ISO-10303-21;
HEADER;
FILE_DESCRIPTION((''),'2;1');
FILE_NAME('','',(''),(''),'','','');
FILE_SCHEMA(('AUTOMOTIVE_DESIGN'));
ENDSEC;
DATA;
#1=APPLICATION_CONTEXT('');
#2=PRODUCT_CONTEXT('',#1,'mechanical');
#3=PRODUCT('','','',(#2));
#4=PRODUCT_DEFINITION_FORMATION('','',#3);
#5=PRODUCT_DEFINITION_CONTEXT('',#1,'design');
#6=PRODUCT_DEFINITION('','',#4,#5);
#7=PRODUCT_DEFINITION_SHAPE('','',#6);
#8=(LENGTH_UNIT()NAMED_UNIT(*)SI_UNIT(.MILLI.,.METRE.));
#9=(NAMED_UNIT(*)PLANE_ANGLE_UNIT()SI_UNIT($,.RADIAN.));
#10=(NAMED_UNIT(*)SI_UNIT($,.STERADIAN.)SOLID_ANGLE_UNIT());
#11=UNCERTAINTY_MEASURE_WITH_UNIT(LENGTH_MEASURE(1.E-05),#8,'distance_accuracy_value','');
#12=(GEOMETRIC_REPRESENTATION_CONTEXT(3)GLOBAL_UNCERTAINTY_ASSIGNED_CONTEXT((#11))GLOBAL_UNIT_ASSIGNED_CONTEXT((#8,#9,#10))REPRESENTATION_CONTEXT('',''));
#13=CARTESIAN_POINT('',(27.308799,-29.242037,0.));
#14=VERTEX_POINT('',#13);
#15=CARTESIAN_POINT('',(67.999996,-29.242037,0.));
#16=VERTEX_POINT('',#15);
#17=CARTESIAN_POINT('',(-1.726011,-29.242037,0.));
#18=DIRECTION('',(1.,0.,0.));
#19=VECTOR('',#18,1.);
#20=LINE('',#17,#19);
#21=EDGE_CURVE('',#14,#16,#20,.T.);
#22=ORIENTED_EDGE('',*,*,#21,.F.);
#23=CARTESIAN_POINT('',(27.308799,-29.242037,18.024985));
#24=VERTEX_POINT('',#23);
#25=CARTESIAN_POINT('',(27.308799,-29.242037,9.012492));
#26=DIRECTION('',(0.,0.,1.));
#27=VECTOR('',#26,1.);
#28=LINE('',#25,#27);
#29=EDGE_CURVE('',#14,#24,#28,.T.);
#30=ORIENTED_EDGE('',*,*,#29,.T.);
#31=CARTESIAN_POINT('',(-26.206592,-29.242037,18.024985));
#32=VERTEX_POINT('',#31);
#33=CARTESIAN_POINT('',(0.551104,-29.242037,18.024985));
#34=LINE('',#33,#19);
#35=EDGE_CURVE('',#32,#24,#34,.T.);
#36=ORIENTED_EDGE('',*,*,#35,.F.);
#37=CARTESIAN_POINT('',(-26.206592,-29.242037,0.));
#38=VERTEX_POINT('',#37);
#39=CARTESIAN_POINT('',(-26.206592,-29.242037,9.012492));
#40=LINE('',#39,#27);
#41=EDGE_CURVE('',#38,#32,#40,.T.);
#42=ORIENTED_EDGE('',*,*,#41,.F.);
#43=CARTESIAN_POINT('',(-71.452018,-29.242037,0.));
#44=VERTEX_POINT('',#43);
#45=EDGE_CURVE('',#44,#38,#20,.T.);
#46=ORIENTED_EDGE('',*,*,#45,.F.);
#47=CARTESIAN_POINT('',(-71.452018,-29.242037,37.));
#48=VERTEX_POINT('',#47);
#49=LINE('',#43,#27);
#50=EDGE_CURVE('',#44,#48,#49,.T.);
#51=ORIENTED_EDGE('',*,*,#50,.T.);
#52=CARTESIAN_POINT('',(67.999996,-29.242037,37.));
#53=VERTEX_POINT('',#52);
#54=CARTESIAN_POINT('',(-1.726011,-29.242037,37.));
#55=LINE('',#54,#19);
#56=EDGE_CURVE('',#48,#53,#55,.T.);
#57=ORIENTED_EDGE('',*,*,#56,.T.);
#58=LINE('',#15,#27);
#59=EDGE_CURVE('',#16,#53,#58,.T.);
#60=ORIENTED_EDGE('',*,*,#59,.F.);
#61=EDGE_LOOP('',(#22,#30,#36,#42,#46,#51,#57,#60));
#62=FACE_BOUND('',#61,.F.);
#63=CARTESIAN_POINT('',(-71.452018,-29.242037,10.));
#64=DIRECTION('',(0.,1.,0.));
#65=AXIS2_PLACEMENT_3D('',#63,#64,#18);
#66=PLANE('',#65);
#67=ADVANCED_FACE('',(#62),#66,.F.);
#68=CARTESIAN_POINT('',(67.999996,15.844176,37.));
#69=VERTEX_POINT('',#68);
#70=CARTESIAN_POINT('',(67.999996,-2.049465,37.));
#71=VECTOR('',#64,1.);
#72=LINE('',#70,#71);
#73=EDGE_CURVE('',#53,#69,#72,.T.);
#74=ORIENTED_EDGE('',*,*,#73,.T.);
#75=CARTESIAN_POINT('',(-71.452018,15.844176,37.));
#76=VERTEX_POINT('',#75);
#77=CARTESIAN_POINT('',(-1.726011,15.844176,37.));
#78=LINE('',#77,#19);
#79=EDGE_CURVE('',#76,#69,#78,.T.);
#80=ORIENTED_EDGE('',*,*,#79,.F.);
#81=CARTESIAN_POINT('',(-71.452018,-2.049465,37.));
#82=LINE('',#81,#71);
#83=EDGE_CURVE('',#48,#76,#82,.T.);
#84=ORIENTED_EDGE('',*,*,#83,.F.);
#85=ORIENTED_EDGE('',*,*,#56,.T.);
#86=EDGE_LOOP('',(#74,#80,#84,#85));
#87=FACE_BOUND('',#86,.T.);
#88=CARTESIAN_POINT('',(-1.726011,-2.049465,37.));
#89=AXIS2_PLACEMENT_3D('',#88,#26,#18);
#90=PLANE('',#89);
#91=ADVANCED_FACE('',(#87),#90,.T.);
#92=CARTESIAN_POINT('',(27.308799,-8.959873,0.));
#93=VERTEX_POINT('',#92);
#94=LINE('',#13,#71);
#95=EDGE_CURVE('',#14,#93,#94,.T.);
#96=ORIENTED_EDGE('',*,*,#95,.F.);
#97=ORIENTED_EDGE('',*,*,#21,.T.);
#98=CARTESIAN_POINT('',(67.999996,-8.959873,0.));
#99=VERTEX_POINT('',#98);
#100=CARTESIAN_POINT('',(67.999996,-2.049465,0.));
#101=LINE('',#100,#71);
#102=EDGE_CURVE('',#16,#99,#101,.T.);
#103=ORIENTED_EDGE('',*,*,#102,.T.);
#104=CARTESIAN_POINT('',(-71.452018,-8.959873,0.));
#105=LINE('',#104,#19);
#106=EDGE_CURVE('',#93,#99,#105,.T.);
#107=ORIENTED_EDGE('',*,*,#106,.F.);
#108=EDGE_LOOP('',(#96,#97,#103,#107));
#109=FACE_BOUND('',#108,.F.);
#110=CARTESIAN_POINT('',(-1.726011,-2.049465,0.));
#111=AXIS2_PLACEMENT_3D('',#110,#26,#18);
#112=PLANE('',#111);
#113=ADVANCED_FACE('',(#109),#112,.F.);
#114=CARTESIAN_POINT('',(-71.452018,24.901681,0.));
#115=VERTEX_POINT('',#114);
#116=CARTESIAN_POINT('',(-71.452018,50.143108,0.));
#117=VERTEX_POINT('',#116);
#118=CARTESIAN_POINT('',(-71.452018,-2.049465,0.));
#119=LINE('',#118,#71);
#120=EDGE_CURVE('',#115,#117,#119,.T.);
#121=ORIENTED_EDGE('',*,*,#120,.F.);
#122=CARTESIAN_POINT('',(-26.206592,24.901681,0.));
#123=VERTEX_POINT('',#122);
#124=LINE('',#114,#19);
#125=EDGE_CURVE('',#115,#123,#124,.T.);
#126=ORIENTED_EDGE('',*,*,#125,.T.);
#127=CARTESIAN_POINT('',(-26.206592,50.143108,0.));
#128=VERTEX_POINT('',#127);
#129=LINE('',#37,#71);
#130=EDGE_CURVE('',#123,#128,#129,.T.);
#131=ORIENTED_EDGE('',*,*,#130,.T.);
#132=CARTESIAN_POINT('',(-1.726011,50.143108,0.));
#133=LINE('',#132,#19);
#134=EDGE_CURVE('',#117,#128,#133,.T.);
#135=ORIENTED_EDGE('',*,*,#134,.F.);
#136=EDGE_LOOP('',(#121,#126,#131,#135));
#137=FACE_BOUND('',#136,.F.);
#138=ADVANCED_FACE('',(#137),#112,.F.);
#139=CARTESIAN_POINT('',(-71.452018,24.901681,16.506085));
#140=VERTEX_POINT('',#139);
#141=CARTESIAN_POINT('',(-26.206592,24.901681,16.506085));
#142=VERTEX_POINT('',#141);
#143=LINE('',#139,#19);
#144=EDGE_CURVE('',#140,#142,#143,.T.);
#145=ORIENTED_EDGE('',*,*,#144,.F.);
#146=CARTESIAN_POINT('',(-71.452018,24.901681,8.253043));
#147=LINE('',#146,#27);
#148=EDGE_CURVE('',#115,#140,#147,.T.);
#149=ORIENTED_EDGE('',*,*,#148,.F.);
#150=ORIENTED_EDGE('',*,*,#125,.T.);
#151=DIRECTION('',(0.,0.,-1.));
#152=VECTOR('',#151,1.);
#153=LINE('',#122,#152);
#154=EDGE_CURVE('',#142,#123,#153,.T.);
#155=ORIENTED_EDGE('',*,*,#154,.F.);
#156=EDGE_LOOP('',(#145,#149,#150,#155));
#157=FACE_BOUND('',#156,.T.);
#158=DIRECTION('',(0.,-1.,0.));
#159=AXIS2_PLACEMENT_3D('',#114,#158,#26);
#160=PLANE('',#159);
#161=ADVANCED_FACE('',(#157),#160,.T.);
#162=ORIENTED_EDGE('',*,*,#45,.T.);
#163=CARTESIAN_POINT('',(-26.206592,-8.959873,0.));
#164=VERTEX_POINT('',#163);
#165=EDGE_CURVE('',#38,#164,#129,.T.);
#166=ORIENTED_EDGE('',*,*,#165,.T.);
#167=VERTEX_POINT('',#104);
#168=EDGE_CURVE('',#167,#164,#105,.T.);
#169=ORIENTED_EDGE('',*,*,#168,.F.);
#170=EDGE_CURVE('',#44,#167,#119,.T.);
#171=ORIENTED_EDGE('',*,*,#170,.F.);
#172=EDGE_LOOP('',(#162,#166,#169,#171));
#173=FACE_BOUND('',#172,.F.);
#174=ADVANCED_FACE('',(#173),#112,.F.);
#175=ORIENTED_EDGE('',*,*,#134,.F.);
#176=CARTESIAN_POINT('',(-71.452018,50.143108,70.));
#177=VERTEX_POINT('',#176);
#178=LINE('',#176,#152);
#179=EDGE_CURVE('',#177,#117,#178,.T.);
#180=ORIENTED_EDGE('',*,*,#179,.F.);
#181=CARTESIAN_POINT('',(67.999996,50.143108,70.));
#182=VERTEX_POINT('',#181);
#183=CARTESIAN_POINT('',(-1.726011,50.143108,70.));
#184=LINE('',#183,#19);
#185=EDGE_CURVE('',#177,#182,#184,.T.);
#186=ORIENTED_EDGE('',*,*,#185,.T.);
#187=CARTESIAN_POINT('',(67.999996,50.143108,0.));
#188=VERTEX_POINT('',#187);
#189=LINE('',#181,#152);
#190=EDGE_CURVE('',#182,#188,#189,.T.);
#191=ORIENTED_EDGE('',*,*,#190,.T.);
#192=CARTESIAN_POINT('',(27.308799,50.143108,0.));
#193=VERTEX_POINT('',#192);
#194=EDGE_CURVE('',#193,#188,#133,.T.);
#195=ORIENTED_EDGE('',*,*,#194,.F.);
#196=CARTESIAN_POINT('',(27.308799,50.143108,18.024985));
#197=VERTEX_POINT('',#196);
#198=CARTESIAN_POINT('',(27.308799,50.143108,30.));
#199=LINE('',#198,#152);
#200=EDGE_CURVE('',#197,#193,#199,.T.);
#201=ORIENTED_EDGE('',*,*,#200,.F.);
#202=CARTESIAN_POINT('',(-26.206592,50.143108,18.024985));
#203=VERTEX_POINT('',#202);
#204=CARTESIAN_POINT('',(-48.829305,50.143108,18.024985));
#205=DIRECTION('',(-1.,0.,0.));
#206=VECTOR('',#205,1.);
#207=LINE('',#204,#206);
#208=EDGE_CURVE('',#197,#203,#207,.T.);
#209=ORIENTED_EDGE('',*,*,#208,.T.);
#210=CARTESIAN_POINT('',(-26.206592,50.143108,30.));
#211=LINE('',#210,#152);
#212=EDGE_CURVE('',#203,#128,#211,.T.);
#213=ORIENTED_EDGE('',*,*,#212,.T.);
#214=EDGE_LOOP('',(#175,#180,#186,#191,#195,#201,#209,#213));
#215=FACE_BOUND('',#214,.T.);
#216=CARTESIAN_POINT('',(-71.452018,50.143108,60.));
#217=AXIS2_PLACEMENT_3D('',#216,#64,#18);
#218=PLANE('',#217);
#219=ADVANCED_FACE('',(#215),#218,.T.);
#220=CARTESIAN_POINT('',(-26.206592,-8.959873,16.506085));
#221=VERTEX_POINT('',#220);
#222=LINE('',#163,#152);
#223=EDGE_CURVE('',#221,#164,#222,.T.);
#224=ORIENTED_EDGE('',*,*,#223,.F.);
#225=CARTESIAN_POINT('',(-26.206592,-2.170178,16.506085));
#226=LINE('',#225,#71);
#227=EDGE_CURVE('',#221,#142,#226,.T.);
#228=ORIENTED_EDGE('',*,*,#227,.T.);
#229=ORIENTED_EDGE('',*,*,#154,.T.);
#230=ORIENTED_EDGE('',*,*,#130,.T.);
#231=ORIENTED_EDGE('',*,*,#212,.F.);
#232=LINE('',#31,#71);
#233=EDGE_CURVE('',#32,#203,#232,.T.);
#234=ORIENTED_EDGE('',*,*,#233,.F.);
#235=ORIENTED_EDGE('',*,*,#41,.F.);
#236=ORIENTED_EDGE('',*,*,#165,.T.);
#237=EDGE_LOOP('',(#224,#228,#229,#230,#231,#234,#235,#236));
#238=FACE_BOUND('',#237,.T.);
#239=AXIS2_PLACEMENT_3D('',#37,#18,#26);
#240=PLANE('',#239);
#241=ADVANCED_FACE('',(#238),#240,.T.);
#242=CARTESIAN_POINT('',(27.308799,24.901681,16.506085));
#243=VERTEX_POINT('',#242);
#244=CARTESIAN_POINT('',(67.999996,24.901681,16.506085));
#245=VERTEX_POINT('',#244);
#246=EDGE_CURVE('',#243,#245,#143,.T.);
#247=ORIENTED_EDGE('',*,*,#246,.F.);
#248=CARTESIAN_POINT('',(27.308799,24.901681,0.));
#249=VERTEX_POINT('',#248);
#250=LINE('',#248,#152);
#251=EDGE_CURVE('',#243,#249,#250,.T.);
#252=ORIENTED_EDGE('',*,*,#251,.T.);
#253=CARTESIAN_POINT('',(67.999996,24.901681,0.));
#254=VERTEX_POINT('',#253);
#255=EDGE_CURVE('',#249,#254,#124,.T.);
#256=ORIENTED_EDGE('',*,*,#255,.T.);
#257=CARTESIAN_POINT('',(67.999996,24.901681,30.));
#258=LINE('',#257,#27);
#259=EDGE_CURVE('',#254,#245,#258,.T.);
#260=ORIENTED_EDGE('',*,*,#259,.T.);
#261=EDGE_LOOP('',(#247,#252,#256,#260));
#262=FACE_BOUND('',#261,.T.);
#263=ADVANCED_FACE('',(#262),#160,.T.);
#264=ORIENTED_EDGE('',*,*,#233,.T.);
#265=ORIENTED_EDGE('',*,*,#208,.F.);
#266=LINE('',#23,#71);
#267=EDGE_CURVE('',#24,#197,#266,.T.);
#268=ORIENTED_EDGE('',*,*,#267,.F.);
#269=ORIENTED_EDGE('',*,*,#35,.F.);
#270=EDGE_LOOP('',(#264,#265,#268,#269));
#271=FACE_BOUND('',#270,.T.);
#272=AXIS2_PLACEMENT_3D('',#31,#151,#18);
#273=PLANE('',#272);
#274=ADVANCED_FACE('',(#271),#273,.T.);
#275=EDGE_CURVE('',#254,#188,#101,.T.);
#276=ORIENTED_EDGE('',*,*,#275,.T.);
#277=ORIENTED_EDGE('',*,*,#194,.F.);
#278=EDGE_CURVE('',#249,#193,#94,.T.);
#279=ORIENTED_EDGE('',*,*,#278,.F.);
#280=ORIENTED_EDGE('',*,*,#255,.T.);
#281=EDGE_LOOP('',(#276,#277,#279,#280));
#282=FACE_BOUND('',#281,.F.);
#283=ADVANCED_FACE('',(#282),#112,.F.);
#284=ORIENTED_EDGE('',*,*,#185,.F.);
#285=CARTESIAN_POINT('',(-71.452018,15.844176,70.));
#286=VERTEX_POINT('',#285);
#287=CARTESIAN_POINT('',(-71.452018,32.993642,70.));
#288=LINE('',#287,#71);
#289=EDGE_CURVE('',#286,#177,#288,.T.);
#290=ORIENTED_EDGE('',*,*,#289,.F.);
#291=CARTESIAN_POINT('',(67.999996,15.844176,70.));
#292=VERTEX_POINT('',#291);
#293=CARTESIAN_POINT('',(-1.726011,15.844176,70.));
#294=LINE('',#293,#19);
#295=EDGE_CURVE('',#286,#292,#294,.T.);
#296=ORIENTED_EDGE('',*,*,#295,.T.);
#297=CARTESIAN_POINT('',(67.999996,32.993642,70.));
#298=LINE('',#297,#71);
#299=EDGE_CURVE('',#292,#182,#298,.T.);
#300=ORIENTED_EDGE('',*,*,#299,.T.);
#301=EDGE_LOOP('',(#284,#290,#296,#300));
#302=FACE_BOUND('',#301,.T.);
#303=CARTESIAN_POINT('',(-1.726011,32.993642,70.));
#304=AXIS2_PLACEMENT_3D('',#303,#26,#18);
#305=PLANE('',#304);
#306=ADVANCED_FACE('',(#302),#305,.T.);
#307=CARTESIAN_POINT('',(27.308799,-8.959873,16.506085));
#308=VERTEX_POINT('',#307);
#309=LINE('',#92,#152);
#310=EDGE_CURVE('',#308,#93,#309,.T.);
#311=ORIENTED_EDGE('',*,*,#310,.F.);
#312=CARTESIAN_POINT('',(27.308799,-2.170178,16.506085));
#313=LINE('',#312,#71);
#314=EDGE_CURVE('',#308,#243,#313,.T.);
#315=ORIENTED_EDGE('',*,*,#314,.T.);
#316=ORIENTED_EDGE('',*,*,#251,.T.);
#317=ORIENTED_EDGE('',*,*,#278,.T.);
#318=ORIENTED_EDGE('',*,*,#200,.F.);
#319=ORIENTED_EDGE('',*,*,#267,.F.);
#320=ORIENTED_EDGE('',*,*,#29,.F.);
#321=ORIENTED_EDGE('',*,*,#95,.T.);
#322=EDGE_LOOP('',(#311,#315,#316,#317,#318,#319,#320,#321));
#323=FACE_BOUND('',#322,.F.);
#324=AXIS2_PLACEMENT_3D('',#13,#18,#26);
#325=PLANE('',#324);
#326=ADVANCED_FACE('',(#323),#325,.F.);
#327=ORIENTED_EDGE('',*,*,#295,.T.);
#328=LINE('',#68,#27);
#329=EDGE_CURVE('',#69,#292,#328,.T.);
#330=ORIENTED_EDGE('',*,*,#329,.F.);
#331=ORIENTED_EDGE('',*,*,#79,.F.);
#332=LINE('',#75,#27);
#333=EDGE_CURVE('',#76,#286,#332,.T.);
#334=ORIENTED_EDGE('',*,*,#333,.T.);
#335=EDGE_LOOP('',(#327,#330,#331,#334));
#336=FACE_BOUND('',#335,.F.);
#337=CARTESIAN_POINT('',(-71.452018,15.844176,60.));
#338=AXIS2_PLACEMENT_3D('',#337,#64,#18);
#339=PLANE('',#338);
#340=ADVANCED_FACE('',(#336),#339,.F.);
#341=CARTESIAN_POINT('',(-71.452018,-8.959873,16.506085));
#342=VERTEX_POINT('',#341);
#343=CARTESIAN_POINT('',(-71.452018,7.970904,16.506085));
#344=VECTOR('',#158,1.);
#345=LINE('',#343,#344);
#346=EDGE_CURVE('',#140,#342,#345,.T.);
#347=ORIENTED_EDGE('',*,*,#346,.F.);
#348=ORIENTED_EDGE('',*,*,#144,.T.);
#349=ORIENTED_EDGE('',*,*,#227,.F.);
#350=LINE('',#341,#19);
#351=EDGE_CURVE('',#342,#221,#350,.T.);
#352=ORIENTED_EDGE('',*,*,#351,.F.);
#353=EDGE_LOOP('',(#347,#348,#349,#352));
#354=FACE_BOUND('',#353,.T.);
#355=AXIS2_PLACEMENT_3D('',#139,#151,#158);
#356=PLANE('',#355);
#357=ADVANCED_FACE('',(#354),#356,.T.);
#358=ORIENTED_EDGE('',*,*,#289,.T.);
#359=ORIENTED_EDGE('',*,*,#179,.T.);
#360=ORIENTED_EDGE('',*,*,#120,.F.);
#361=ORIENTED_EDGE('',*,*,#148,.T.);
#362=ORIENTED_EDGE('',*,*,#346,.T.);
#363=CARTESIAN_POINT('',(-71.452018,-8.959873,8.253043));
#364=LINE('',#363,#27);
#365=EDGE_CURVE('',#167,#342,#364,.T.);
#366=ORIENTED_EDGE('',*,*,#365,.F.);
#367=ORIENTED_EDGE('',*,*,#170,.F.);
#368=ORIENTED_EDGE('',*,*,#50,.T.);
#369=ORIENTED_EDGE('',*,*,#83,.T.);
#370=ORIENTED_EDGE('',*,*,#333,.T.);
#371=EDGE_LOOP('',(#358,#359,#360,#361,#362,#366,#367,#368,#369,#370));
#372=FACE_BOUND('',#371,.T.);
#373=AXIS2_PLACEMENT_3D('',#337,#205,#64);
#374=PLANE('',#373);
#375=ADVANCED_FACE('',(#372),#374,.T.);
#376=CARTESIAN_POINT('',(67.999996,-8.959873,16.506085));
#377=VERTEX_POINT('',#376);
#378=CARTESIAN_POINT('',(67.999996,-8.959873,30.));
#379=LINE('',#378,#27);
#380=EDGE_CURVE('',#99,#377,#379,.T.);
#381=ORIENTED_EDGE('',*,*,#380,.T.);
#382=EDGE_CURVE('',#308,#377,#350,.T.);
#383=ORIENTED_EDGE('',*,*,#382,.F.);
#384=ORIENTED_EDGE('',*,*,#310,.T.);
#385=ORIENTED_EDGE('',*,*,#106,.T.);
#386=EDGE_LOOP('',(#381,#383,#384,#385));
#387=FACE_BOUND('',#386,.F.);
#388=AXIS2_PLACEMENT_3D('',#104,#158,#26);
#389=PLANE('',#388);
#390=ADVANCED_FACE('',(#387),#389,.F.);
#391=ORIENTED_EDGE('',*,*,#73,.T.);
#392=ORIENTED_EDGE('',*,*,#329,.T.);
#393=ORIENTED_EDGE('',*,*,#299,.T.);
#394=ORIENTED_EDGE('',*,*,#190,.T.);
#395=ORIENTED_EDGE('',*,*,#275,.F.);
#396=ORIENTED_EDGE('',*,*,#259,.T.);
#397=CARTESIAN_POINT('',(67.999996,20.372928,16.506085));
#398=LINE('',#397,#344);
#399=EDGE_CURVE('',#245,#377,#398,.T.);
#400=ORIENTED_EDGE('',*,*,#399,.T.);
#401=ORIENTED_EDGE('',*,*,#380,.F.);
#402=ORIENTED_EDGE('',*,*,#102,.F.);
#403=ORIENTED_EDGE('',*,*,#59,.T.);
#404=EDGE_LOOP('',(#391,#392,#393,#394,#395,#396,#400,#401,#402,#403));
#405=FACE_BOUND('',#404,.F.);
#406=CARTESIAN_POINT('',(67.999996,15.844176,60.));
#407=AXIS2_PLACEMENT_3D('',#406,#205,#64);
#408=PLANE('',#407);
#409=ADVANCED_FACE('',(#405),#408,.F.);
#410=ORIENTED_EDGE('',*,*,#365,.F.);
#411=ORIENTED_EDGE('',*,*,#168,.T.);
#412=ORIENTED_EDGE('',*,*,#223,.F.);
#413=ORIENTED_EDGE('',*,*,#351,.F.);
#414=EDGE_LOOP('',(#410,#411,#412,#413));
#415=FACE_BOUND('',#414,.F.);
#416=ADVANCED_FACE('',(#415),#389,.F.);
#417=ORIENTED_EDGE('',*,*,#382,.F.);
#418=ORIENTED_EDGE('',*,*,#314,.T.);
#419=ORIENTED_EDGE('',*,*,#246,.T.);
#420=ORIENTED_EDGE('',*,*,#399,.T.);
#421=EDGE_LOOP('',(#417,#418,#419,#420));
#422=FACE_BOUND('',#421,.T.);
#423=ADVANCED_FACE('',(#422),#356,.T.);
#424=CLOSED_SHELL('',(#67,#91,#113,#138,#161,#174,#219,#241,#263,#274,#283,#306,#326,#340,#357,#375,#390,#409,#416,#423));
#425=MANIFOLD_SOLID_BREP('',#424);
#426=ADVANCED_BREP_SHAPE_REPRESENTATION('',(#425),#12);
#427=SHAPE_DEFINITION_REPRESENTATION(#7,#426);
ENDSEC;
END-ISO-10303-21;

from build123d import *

# Parameters (mm, degrees)
F0_W      = 139.4520141184
F0_H      = 104.3851450086
F1_DEPTH  = 10
F2_W      = 139.4520141184
F2_H      = 34.2989321798
F3_DEPTH  = 50
F4_DEPTH  = 27
F5_DEPTH  = 10
F6_DEPTH  = 25
F7_W      = 53.5153914243
F7_H      = 18.0249847472
F8_DEPTH  = 81
F9_W      = 33.8615532964
F9_H      = 16.5060851723
F10_DEPTH = 258


with BuildPart() as f1:
    # F0 (on Top) → F1 (new body)
    with BuildSketch(Plane.XY):
        with Locations((-1.7260108143, -2.0494647324)):
            Rectangle(F0_W, F0_H)
    extrude(amount=F1_DEPTH)

    # F2 (on face) → F3 (join)
    with BuildSketch(Plane.XY.offset(10)):
        with Locations((-1.7260108143, 32.993641682)):
            Rectangle(F2_W, F2_H)
    extrude(amount=F3_DEPTH)

    # F4 (add): a face of the model
    f4_faces = [f1.faces().sort_by_distance(p)[0] for p in [
        (-1.7260108143, -19.1989308223, 10),
    ]]
    extrude(f4_faces, amount=F4_DEPTH)

    # F5 (add): a face of the model
    f5_faces = [f1.faces().sort_by_distance(p)[0] for p in [
        (-1.7260108143, 32.993641682, 60),
    ]]
    extrude(f5_faces, amount=F5_DEPTH)

    # F6 (cut): a face of the model
    f6_faces = [f1.faces().sort_by_distance(p)[0] for p in [
        (-1.7260108143, -54.2420372367, 18.5),
    ]]
    extrude(f6_faces, amount=-F6_DEPTH, mode=Mode.SUBTRACT)

    # F7 (on face) → F8 (cut)
    with BuildSketch(Plane.XZ.offset(29.2420372367)):
        with Locations((0.5511036143, 9.0124923736)):
            Rectangle(F7_W, F7_H)
    extrude(amount=-F8_DEPTH, mode=Mode.SUBTRACT)

    # F9 (on face) → F10 (cut)
    with BuildSketch(Plane(origin=(-71.4520178735, 0, 0), x_dir=(0, -1, 0), z_dir=(-1, 0, 0))):
        with Locations((-7.9709040001, 8.2530425861)):
            Rectangle(F9_W, F9_H)
    extrude(amount=-F10_DEPTH, mode=Mode.SUBTRACT)


solid = f1.part
